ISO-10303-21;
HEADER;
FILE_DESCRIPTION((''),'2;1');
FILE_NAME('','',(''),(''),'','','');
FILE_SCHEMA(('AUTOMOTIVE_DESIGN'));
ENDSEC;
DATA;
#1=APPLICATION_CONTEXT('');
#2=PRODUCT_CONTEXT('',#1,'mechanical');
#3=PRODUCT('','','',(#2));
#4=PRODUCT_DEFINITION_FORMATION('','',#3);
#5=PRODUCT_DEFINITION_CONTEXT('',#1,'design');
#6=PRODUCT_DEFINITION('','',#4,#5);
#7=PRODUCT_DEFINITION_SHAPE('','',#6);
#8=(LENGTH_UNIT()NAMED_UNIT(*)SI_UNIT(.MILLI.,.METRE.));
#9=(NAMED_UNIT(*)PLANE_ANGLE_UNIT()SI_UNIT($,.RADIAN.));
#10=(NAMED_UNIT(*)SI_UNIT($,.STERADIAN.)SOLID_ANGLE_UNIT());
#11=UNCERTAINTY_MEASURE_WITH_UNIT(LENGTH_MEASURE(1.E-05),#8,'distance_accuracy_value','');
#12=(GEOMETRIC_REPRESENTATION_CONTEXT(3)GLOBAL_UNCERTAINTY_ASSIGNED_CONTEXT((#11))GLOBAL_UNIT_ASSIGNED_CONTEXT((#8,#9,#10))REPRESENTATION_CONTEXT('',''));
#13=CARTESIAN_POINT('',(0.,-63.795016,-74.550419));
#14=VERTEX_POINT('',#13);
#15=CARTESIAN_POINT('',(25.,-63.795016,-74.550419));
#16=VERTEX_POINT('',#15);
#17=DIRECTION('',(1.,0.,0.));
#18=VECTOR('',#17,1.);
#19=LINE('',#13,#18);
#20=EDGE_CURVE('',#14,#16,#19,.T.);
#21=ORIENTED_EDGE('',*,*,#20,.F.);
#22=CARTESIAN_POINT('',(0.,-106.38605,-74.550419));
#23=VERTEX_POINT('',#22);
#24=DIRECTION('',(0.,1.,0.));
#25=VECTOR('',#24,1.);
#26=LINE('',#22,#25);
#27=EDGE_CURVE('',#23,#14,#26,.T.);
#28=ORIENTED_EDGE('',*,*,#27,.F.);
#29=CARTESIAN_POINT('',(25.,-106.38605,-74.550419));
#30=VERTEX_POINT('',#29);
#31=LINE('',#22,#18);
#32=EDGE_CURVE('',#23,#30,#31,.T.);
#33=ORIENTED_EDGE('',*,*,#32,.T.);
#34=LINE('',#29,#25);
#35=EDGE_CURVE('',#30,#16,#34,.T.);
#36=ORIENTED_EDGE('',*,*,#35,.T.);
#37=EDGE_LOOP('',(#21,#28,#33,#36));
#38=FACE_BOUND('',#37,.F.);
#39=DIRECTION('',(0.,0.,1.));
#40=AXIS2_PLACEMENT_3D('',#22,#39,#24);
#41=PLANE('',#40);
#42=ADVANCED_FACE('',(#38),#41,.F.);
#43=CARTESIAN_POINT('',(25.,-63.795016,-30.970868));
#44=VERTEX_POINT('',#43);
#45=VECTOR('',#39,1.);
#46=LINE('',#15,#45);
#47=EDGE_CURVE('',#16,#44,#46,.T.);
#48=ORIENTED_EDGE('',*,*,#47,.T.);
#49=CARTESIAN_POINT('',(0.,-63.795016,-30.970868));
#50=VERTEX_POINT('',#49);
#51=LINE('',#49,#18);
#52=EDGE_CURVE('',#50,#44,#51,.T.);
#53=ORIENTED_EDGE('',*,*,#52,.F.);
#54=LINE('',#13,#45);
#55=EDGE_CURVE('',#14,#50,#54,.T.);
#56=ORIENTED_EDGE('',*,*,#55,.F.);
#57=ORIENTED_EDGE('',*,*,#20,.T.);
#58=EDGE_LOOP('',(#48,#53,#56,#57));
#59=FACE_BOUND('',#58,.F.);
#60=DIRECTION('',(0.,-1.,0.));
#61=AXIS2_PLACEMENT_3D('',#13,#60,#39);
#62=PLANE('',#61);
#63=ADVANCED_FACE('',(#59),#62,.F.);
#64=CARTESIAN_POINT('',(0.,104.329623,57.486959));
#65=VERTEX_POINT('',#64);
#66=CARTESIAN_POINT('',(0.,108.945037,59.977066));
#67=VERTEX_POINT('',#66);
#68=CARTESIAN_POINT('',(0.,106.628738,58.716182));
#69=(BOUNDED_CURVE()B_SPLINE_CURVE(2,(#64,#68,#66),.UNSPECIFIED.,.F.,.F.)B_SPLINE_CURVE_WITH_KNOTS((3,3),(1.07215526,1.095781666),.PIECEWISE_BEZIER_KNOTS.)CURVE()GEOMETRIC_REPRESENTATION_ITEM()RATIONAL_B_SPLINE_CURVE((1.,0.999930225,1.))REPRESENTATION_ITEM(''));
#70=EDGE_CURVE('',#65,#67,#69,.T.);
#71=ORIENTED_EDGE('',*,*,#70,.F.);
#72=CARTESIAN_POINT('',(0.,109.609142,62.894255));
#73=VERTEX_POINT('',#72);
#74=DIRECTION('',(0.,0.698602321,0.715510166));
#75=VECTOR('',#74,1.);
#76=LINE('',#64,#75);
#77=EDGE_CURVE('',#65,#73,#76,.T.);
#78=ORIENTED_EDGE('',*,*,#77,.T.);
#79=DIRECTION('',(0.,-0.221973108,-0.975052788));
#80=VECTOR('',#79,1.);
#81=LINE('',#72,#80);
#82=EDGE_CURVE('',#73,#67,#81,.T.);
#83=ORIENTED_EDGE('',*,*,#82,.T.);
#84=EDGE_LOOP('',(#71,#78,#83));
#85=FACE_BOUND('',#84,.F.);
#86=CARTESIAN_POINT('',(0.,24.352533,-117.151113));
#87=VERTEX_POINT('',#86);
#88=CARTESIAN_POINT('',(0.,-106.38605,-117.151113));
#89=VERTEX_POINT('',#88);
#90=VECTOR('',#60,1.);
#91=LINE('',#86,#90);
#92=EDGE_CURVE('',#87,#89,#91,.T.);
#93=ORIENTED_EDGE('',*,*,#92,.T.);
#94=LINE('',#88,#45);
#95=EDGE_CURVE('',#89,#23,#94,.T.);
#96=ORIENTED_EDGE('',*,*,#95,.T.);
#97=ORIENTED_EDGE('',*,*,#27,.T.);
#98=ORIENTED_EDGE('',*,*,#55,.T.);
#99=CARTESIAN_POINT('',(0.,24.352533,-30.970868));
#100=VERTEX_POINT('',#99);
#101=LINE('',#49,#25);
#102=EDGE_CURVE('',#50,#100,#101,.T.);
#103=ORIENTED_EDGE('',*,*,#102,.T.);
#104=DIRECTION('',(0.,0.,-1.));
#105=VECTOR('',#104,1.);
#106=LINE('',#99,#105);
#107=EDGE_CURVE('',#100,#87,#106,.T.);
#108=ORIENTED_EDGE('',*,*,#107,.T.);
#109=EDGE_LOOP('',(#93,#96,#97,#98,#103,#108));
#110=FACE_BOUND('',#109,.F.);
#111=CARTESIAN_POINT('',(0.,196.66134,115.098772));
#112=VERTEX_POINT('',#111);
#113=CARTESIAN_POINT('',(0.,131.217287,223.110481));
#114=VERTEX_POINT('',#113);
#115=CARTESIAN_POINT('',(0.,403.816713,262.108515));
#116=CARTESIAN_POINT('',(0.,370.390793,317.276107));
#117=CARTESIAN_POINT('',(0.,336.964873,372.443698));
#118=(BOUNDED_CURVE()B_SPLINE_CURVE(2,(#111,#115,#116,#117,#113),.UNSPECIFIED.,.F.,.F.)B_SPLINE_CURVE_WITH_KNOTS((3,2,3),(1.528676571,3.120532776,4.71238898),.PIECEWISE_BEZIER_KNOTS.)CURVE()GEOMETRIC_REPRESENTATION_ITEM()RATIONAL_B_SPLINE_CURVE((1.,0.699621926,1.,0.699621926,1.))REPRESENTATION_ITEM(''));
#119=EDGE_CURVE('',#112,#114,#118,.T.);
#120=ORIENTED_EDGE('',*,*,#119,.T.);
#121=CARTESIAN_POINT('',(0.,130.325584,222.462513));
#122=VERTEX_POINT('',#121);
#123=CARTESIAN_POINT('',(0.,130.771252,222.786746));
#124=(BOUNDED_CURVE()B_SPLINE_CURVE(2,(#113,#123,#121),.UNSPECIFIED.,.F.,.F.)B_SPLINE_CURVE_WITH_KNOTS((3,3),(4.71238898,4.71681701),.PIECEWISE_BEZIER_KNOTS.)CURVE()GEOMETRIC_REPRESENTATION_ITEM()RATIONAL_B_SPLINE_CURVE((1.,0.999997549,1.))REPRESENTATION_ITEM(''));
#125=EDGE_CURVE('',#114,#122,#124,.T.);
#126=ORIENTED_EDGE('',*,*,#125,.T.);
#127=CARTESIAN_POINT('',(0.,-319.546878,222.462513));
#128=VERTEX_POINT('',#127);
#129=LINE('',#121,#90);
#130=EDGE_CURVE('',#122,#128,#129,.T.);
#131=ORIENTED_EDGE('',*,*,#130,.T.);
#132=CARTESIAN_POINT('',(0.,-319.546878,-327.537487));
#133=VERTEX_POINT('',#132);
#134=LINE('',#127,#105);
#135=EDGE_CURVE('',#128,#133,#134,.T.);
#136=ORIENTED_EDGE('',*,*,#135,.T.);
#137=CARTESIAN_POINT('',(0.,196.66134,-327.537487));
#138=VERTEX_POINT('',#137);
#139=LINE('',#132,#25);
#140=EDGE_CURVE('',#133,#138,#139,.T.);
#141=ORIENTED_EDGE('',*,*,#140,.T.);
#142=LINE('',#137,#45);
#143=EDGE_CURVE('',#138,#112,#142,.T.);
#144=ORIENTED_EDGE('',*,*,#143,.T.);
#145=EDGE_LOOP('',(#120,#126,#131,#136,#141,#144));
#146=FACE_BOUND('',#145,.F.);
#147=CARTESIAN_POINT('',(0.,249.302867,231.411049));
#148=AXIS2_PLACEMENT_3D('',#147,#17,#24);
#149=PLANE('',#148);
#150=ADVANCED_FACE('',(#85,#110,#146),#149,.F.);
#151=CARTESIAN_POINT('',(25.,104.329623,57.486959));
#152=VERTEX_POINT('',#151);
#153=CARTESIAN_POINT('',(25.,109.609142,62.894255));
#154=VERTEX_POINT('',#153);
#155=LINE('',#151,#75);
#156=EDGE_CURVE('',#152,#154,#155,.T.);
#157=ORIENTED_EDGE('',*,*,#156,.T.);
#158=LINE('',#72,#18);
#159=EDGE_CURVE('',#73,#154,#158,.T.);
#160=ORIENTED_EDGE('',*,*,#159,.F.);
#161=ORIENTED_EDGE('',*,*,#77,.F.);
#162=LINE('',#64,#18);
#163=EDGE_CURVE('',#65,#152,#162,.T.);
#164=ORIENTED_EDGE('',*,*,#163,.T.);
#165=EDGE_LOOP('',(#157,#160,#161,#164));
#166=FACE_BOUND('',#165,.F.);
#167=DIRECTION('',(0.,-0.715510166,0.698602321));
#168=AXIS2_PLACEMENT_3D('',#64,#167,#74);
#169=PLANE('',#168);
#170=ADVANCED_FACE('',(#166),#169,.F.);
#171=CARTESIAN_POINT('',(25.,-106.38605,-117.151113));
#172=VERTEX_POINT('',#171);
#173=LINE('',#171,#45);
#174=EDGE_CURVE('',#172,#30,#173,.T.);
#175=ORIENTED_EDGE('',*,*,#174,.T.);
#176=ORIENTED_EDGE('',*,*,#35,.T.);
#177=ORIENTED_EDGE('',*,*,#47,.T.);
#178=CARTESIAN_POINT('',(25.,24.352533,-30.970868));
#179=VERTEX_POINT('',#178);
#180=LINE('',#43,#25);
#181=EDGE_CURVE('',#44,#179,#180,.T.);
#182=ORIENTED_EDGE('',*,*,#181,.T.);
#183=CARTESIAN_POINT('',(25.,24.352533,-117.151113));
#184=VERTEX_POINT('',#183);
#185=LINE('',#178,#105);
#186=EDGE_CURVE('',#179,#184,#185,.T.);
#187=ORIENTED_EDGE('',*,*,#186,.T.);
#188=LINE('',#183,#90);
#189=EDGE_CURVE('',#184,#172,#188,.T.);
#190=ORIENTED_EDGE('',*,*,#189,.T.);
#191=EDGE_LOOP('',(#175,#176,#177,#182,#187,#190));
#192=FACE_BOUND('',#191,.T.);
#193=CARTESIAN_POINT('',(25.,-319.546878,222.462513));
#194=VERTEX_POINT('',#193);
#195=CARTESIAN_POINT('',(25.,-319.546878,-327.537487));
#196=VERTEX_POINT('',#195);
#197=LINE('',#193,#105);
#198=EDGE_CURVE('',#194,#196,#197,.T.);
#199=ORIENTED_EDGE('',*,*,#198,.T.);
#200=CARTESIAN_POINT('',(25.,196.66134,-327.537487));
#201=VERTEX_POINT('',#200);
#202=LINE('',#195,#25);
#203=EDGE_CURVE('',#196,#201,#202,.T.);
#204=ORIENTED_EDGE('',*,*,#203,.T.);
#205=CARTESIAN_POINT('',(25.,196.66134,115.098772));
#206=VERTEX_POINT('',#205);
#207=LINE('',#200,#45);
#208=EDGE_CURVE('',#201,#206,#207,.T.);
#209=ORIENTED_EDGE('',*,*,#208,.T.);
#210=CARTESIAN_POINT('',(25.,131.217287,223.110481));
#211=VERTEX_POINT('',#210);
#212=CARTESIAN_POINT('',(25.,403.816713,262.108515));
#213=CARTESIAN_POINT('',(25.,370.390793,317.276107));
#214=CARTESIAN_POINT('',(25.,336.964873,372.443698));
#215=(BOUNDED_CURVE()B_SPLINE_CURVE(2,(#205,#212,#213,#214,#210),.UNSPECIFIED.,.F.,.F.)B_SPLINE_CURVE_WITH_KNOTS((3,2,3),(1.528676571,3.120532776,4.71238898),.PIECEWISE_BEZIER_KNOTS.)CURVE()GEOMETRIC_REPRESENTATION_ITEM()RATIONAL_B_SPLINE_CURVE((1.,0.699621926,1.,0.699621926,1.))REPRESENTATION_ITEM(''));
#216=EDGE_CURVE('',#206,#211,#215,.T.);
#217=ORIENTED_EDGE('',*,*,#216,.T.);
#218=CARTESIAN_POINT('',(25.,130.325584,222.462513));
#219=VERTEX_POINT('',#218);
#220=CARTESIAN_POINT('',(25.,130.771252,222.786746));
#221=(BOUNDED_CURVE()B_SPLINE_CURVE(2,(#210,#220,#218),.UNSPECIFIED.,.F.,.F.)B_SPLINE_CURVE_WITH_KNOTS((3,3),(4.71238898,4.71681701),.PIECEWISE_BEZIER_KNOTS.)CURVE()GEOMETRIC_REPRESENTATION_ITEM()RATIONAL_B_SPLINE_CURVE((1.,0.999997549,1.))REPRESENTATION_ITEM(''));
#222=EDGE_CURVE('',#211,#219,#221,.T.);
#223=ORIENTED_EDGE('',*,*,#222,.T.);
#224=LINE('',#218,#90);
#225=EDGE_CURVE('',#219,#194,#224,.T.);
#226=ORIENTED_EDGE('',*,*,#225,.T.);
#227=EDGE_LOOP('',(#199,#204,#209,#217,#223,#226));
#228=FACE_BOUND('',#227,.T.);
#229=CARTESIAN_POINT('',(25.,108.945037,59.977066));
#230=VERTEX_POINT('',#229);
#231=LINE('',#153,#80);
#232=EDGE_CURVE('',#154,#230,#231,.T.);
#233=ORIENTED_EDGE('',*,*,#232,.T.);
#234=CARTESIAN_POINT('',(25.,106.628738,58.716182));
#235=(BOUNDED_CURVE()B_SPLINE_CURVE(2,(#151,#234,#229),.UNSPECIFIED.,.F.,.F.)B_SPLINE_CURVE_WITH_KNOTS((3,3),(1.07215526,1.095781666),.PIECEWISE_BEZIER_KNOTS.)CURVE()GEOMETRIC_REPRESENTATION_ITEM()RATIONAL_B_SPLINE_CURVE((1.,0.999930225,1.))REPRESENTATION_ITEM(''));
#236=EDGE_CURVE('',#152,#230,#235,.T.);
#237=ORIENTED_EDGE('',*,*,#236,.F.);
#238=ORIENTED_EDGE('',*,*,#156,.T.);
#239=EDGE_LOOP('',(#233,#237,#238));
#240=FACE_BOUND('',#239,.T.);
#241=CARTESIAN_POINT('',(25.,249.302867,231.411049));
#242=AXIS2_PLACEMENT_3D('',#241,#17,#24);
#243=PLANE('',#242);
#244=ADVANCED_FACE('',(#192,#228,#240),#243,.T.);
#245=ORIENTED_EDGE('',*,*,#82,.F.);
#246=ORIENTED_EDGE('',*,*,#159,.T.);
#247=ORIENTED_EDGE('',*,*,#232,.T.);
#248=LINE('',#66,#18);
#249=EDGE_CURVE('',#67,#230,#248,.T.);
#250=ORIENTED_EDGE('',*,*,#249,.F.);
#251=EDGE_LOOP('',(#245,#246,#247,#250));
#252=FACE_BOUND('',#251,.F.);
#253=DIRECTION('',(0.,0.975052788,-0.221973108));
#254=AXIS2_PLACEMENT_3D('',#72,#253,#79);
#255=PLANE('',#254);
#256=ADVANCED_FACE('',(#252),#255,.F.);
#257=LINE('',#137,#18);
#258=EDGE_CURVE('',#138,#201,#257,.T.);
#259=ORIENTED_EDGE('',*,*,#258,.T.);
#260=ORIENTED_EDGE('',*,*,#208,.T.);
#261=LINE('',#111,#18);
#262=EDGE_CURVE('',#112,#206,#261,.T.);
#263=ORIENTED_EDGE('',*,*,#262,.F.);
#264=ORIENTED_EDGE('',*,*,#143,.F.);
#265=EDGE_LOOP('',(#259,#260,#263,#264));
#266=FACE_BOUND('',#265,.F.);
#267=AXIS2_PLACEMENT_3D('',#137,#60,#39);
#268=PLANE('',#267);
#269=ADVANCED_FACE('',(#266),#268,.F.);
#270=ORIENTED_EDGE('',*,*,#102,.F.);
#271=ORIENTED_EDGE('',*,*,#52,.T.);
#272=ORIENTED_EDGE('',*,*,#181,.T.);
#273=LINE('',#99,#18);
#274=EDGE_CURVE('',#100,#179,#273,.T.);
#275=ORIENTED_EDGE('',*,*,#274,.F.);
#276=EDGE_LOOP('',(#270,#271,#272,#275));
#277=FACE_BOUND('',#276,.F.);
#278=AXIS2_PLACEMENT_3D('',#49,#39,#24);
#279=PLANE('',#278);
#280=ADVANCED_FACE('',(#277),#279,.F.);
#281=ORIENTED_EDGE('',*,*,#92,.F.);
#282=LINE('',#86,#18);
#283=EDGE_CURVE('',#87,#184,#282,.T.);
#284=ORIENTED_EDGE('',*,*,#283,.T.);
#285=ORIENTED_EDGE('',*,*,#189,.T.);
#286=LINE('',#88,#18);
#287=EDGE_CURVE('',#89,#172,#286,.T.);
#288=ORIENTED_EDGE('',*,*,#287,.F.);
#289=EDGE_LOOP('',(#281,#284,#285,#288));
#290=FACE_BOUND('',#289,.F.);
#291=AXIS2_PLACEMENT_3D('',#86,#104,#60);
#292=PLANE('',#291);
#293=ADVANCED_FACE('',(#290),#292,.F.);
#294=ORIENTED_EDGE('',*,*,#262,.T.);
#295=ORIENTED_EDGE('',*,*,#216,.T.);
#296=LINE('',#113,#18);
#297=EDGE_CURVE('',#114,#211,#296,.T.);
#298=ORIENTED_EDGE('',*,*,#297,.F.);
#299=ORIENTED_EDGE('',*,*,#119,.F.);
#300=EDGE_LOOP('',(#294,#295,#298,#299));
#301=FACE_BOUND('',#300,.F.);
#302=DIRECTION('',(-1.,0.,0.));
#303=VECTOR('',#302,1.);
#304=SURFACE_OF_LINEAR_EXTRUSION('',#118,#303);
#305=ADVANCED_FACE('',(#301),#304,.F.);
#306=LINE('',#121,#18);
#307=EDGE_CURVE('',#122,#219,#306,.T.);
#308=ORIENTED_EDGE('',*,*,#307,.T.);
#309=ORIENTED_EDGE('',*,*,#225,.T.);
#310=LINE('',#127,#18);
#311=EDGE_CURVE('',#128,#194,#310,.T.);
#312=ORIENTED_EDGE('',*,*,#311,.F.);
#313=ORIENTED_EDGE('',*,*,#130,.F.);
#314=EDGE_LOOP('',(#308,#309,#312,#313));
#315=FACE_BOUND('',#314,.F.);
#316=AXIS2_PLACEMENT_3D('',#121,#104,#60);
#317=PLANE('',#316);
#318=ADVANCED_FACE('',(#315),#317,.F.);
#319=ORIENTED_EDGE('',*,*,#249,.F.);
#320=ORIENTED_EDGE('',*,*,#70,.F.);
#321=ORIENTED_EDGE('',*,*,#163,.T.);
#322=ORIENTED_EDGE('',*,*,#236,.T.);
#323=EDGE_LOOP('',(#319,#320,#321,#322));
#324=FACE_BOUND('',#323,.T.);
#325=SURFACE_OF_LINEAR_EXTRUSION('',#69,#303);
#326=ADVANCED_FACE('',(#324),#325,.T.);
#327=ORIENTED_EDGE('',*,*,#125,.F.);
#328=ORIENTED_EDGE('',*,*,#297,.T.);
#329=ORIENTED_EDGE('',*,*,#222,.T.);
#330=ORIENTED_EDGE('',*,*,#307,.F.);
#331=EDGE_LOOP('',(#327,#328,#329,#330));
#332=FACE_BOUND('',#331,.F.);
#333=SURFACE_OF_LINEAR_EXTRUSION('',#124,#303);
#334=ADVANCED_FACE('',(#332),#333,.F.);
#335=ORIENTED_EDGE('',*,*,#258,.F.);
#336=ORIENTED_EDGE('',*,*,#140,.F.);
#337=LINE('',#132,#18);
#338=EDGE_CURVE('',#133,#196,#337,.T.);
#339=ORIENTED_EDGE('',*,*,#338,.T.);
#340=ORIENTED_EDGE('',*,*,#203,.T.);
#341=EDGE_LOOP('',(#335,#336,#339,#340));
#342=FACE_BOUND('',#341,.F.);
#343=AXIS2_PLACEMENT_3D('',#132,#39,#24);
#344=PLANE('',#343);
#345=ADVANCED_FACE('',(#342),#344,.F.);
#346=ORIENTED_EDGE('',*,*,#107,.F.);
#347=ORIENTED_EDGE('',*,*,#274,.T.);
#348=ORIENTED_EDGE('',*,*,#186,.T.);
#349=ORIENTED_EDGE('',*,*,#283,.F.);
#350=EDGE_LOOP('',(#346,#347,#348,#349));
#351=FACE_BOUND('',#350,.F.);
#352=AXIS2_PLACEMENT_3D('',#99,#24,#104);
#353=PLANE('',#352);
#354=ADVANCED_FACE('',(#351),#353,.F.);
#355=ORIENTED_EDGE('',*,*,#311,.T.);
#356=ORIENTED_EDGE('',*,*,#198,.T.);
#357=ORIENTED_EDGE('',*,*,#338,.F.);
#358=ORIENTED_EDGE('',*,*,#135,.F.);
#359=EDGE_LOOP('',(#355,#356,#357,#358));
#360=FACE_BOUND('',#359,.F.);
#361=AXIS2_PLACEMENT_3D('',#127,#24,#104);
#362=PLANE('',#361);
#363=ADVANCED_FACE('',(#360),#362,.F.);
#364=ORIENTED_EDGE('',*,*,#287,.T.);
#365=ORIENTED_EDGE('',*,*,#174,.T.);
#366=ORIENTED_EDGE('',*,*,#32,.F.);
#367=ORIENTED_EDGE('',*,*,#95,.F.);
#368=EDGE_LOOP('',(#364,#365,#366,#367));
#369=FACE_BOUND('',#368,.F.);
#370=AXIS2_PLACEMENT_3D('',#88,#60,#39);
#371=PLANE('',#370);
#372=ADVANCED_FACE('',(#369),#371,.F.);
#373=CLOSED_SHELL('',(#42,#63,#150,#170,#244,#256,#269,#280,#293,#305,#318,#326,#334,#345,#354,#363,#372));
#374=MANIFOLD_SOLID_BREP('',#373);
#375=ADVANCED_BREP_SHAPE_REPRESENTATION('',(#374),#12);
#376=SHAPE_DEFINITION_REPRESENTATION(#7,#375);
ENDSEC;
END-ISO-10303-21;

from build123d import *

# Parameters (mm, degrees)
F0_W     = 254.2222494147
F0_H     = 54.8806715578
F1_DEPTH = 25


with BuildPart() as f1:
    # F0 (on Right) → F1 (new body)
    with BuildSketch(Plane.YZ):
        with BuildLine():
            add(Edge.make_bspline(
                [(196.6613400619, 115.0987724343), (403.8167134526, 262.1085152488), (370.3907933131, 317.276106619), (336.9648731735, 372.4436979892), (131.2172873062, 223.1104814604)],
                knots=[1.528676571, 1.528676571, 1.528676571, 3.1205327757, 3.1205327757, 4.7123889804, 4.7123889804, 4.7123889804], degree=2, weights=[1, 0.6996219261, 1, 0.6996219261, 1]))
            add(Edge.make_bspline(
                [(131.2172873062, 223.1104814604), (130.7712521309, 222.786745621), (130.3255838684, 222.4625134569)],
                knots=[4.7123889804, 4.7123889804, 4.7123889804, 4.71681701, 4.71681701, 4.71681701], degree=2, weights=[1, 0.9999975491, 1]))
            Line((130.3255838684, 222.4625134569), (196.6613400619, 222.4625134569))
            Line((196.6613400619, 222.4625134569), (196.6613400619, 125.8834729076))
            Line((196.6613400619, 125.8834729076), (196.6613400619, 115.0987724343))
        make_face()
        with BuildLine():
            Line((196.6613400619, 222.4625134569), (130.3255838684, 222.4625134569))
            add(Edge.make_bspline(
                [(130.3255838684, 222.4625134569), (119.6790063978, 214.7169252168), (109.3031239246, 206.7339041199)],
                knots=[4.71681701, 4.71681701, 4.71681701, 4.8224999906, 4.8224999906, 4.8224999906], degree=2, weights=[1, 0.9986042133, 1]))
            Line((109.3031239246, 206.7339041199), (109.3031239246, 125.8834729076))
            Line((109.3031239246, 125.8834729076), (196.6613400619, 125.8834729076))
            Line((196.6613400619, 125.8834729076), (196.6613400619, 222.4625134569))
        make_face()
        with BuildLine():
            add(Edge.make_bspline(
                [(130.3255838684, 222.4625134569), (119.6790063978, 214.7169252168), (109.3031239246, 206.7339041199)],
                knots=[4.71681701, 4.71681701, 4.71681701, 4.8224999906, 4.8224999906, 4.8224999906], degree=2, weights=[1, 0.9986042133, 1]))
            Line((130.3255838684, 222.4625134569), (109.3031239246, 222.4625134569))
            Line((109.3031239246, 222.4625134569), (109.3031239246, 206.7339041199))
        make_face()
        with BuildLine():
            Line((196.6613400619, -327.5374865431), (196.6613400619, 115.0987724343))
            add(Edge.make_bspline(
                [(108.9450368431, 59.9770658256), (152.0588498328, 83.4461992466), (196.6613400619, 115.0987724343)],
                knots=[1.0957816662, 1.0957816662, 1.0957816662, 1.528676571, 1.528676571, 1.528676571], degree=2, weights=[1, 0.9766665606, 1]))
            add(Edge.make_bspline(
                [(104.329622965, 57.4869589695), (106.6287383203, 58.716181777), (108.9450368431, 59.9770658256)],
                knots=[1.0721552604, 1.0721552604, 1.0721552604, 1.0957816662, 1.0957816662, 1.0957816662], degree=2, weights=[1, 0.9999302249, 1]))
            add(Edge.make_bspline(
                [(109.3031239246, 206.7339041199), (-515.1871023397, -273.7378691414), (104.329622965, 57.4869589695)],
                knots=[4.8224999906, 4.8224999906, 4.8224999906, 7.3553405676, 7.3553405676, 7.3553405676], degree=2, weights=[1, 0.2996979528, 1]))
            Line((109.3031239246, 206.7339041199), (109.3031239246, 222.4625134569))
            Line((109.3031239246, 222.4625134569), (-319.5468781019, 222.4625134569))
            Line((-319.5468781019, 222.4625134569), (-319.5468781019, -227.4800993663))
            Line((-319.5468781019, -227.4800993663), (-65.3246286872, -227.4800993663))
            Line((-65.3246286872, -227.4800993663), (-65.3246286872, -282.3607709241))
            Line((-65.3246286872, -282.3607709241), (-319.5468781019, -282.3607709241))
            Line((-319.5468781019, -282.3607709241), (-319.5468781019, -327.5374865431))
            Line((-319.5468781019, -327.5374865431), (196.6613400619, -327.5374865431))
        make_face()
        Polygon((24.3525329079, -30.9708680097), (24.3525329079, -117.1511133808), (-63.795016312, -117.1511133808), (-106.3860497827, -117.1511133808), (-106.3860497827, -74.5504194263), (-63.795016312, -74.5504194263), (-63.795016312, -30.9708680097), align=None, mode=Mode.SUBTRACT)
        with BuildLine():
            add(Edge.make_bspline(
                [(108.9450368431, 59.9770658256), (152.0588498328, 83.4461992466), (196.6613400619, 115.0987724343)],
                knots=[1.0957816662, 1.0957816662, 1.0957816662, 1.528676571, 1.528676571, 1.528676571], degree=2, weights=[1, 0.9766665606, 1]))
            Line((196.6613400619, 115.0987724343), (196.6613400619, 125.8834729076))
            Line((196.6613400619, 125.8834729076), (109.3031239246, 125.8834729076))
            Line((109.3031239246, 125.8834729076), (109.3031239246, 206.7339041199))
            add(Edge.make_bspline(
                [(109.3031239246, 206.7339041199), (-515.1871023397, -273.7378691414), (104.329622965, 57.4869589695)],
                knots=[4.8224999906, 4.8224999906, 4.8224999906, 7.3553405676, 7.3553405676, 7.3553405676], degree=2, weights=[1, 0.2996979528, 1]))
            Line((104.329622965, 57.4869589695), (109.6091419458, 62.8942549229))
            Line((109.6091419458, 62.8942549229), (108.9450368431, 59.9770658256))
        make_face()
        with Locations((-192.4357533945, -254.9204351452)):
            Rectangle(F0_W, F0_H)
    extrude(amount=F1_DEPTH)


solid = f1.part
